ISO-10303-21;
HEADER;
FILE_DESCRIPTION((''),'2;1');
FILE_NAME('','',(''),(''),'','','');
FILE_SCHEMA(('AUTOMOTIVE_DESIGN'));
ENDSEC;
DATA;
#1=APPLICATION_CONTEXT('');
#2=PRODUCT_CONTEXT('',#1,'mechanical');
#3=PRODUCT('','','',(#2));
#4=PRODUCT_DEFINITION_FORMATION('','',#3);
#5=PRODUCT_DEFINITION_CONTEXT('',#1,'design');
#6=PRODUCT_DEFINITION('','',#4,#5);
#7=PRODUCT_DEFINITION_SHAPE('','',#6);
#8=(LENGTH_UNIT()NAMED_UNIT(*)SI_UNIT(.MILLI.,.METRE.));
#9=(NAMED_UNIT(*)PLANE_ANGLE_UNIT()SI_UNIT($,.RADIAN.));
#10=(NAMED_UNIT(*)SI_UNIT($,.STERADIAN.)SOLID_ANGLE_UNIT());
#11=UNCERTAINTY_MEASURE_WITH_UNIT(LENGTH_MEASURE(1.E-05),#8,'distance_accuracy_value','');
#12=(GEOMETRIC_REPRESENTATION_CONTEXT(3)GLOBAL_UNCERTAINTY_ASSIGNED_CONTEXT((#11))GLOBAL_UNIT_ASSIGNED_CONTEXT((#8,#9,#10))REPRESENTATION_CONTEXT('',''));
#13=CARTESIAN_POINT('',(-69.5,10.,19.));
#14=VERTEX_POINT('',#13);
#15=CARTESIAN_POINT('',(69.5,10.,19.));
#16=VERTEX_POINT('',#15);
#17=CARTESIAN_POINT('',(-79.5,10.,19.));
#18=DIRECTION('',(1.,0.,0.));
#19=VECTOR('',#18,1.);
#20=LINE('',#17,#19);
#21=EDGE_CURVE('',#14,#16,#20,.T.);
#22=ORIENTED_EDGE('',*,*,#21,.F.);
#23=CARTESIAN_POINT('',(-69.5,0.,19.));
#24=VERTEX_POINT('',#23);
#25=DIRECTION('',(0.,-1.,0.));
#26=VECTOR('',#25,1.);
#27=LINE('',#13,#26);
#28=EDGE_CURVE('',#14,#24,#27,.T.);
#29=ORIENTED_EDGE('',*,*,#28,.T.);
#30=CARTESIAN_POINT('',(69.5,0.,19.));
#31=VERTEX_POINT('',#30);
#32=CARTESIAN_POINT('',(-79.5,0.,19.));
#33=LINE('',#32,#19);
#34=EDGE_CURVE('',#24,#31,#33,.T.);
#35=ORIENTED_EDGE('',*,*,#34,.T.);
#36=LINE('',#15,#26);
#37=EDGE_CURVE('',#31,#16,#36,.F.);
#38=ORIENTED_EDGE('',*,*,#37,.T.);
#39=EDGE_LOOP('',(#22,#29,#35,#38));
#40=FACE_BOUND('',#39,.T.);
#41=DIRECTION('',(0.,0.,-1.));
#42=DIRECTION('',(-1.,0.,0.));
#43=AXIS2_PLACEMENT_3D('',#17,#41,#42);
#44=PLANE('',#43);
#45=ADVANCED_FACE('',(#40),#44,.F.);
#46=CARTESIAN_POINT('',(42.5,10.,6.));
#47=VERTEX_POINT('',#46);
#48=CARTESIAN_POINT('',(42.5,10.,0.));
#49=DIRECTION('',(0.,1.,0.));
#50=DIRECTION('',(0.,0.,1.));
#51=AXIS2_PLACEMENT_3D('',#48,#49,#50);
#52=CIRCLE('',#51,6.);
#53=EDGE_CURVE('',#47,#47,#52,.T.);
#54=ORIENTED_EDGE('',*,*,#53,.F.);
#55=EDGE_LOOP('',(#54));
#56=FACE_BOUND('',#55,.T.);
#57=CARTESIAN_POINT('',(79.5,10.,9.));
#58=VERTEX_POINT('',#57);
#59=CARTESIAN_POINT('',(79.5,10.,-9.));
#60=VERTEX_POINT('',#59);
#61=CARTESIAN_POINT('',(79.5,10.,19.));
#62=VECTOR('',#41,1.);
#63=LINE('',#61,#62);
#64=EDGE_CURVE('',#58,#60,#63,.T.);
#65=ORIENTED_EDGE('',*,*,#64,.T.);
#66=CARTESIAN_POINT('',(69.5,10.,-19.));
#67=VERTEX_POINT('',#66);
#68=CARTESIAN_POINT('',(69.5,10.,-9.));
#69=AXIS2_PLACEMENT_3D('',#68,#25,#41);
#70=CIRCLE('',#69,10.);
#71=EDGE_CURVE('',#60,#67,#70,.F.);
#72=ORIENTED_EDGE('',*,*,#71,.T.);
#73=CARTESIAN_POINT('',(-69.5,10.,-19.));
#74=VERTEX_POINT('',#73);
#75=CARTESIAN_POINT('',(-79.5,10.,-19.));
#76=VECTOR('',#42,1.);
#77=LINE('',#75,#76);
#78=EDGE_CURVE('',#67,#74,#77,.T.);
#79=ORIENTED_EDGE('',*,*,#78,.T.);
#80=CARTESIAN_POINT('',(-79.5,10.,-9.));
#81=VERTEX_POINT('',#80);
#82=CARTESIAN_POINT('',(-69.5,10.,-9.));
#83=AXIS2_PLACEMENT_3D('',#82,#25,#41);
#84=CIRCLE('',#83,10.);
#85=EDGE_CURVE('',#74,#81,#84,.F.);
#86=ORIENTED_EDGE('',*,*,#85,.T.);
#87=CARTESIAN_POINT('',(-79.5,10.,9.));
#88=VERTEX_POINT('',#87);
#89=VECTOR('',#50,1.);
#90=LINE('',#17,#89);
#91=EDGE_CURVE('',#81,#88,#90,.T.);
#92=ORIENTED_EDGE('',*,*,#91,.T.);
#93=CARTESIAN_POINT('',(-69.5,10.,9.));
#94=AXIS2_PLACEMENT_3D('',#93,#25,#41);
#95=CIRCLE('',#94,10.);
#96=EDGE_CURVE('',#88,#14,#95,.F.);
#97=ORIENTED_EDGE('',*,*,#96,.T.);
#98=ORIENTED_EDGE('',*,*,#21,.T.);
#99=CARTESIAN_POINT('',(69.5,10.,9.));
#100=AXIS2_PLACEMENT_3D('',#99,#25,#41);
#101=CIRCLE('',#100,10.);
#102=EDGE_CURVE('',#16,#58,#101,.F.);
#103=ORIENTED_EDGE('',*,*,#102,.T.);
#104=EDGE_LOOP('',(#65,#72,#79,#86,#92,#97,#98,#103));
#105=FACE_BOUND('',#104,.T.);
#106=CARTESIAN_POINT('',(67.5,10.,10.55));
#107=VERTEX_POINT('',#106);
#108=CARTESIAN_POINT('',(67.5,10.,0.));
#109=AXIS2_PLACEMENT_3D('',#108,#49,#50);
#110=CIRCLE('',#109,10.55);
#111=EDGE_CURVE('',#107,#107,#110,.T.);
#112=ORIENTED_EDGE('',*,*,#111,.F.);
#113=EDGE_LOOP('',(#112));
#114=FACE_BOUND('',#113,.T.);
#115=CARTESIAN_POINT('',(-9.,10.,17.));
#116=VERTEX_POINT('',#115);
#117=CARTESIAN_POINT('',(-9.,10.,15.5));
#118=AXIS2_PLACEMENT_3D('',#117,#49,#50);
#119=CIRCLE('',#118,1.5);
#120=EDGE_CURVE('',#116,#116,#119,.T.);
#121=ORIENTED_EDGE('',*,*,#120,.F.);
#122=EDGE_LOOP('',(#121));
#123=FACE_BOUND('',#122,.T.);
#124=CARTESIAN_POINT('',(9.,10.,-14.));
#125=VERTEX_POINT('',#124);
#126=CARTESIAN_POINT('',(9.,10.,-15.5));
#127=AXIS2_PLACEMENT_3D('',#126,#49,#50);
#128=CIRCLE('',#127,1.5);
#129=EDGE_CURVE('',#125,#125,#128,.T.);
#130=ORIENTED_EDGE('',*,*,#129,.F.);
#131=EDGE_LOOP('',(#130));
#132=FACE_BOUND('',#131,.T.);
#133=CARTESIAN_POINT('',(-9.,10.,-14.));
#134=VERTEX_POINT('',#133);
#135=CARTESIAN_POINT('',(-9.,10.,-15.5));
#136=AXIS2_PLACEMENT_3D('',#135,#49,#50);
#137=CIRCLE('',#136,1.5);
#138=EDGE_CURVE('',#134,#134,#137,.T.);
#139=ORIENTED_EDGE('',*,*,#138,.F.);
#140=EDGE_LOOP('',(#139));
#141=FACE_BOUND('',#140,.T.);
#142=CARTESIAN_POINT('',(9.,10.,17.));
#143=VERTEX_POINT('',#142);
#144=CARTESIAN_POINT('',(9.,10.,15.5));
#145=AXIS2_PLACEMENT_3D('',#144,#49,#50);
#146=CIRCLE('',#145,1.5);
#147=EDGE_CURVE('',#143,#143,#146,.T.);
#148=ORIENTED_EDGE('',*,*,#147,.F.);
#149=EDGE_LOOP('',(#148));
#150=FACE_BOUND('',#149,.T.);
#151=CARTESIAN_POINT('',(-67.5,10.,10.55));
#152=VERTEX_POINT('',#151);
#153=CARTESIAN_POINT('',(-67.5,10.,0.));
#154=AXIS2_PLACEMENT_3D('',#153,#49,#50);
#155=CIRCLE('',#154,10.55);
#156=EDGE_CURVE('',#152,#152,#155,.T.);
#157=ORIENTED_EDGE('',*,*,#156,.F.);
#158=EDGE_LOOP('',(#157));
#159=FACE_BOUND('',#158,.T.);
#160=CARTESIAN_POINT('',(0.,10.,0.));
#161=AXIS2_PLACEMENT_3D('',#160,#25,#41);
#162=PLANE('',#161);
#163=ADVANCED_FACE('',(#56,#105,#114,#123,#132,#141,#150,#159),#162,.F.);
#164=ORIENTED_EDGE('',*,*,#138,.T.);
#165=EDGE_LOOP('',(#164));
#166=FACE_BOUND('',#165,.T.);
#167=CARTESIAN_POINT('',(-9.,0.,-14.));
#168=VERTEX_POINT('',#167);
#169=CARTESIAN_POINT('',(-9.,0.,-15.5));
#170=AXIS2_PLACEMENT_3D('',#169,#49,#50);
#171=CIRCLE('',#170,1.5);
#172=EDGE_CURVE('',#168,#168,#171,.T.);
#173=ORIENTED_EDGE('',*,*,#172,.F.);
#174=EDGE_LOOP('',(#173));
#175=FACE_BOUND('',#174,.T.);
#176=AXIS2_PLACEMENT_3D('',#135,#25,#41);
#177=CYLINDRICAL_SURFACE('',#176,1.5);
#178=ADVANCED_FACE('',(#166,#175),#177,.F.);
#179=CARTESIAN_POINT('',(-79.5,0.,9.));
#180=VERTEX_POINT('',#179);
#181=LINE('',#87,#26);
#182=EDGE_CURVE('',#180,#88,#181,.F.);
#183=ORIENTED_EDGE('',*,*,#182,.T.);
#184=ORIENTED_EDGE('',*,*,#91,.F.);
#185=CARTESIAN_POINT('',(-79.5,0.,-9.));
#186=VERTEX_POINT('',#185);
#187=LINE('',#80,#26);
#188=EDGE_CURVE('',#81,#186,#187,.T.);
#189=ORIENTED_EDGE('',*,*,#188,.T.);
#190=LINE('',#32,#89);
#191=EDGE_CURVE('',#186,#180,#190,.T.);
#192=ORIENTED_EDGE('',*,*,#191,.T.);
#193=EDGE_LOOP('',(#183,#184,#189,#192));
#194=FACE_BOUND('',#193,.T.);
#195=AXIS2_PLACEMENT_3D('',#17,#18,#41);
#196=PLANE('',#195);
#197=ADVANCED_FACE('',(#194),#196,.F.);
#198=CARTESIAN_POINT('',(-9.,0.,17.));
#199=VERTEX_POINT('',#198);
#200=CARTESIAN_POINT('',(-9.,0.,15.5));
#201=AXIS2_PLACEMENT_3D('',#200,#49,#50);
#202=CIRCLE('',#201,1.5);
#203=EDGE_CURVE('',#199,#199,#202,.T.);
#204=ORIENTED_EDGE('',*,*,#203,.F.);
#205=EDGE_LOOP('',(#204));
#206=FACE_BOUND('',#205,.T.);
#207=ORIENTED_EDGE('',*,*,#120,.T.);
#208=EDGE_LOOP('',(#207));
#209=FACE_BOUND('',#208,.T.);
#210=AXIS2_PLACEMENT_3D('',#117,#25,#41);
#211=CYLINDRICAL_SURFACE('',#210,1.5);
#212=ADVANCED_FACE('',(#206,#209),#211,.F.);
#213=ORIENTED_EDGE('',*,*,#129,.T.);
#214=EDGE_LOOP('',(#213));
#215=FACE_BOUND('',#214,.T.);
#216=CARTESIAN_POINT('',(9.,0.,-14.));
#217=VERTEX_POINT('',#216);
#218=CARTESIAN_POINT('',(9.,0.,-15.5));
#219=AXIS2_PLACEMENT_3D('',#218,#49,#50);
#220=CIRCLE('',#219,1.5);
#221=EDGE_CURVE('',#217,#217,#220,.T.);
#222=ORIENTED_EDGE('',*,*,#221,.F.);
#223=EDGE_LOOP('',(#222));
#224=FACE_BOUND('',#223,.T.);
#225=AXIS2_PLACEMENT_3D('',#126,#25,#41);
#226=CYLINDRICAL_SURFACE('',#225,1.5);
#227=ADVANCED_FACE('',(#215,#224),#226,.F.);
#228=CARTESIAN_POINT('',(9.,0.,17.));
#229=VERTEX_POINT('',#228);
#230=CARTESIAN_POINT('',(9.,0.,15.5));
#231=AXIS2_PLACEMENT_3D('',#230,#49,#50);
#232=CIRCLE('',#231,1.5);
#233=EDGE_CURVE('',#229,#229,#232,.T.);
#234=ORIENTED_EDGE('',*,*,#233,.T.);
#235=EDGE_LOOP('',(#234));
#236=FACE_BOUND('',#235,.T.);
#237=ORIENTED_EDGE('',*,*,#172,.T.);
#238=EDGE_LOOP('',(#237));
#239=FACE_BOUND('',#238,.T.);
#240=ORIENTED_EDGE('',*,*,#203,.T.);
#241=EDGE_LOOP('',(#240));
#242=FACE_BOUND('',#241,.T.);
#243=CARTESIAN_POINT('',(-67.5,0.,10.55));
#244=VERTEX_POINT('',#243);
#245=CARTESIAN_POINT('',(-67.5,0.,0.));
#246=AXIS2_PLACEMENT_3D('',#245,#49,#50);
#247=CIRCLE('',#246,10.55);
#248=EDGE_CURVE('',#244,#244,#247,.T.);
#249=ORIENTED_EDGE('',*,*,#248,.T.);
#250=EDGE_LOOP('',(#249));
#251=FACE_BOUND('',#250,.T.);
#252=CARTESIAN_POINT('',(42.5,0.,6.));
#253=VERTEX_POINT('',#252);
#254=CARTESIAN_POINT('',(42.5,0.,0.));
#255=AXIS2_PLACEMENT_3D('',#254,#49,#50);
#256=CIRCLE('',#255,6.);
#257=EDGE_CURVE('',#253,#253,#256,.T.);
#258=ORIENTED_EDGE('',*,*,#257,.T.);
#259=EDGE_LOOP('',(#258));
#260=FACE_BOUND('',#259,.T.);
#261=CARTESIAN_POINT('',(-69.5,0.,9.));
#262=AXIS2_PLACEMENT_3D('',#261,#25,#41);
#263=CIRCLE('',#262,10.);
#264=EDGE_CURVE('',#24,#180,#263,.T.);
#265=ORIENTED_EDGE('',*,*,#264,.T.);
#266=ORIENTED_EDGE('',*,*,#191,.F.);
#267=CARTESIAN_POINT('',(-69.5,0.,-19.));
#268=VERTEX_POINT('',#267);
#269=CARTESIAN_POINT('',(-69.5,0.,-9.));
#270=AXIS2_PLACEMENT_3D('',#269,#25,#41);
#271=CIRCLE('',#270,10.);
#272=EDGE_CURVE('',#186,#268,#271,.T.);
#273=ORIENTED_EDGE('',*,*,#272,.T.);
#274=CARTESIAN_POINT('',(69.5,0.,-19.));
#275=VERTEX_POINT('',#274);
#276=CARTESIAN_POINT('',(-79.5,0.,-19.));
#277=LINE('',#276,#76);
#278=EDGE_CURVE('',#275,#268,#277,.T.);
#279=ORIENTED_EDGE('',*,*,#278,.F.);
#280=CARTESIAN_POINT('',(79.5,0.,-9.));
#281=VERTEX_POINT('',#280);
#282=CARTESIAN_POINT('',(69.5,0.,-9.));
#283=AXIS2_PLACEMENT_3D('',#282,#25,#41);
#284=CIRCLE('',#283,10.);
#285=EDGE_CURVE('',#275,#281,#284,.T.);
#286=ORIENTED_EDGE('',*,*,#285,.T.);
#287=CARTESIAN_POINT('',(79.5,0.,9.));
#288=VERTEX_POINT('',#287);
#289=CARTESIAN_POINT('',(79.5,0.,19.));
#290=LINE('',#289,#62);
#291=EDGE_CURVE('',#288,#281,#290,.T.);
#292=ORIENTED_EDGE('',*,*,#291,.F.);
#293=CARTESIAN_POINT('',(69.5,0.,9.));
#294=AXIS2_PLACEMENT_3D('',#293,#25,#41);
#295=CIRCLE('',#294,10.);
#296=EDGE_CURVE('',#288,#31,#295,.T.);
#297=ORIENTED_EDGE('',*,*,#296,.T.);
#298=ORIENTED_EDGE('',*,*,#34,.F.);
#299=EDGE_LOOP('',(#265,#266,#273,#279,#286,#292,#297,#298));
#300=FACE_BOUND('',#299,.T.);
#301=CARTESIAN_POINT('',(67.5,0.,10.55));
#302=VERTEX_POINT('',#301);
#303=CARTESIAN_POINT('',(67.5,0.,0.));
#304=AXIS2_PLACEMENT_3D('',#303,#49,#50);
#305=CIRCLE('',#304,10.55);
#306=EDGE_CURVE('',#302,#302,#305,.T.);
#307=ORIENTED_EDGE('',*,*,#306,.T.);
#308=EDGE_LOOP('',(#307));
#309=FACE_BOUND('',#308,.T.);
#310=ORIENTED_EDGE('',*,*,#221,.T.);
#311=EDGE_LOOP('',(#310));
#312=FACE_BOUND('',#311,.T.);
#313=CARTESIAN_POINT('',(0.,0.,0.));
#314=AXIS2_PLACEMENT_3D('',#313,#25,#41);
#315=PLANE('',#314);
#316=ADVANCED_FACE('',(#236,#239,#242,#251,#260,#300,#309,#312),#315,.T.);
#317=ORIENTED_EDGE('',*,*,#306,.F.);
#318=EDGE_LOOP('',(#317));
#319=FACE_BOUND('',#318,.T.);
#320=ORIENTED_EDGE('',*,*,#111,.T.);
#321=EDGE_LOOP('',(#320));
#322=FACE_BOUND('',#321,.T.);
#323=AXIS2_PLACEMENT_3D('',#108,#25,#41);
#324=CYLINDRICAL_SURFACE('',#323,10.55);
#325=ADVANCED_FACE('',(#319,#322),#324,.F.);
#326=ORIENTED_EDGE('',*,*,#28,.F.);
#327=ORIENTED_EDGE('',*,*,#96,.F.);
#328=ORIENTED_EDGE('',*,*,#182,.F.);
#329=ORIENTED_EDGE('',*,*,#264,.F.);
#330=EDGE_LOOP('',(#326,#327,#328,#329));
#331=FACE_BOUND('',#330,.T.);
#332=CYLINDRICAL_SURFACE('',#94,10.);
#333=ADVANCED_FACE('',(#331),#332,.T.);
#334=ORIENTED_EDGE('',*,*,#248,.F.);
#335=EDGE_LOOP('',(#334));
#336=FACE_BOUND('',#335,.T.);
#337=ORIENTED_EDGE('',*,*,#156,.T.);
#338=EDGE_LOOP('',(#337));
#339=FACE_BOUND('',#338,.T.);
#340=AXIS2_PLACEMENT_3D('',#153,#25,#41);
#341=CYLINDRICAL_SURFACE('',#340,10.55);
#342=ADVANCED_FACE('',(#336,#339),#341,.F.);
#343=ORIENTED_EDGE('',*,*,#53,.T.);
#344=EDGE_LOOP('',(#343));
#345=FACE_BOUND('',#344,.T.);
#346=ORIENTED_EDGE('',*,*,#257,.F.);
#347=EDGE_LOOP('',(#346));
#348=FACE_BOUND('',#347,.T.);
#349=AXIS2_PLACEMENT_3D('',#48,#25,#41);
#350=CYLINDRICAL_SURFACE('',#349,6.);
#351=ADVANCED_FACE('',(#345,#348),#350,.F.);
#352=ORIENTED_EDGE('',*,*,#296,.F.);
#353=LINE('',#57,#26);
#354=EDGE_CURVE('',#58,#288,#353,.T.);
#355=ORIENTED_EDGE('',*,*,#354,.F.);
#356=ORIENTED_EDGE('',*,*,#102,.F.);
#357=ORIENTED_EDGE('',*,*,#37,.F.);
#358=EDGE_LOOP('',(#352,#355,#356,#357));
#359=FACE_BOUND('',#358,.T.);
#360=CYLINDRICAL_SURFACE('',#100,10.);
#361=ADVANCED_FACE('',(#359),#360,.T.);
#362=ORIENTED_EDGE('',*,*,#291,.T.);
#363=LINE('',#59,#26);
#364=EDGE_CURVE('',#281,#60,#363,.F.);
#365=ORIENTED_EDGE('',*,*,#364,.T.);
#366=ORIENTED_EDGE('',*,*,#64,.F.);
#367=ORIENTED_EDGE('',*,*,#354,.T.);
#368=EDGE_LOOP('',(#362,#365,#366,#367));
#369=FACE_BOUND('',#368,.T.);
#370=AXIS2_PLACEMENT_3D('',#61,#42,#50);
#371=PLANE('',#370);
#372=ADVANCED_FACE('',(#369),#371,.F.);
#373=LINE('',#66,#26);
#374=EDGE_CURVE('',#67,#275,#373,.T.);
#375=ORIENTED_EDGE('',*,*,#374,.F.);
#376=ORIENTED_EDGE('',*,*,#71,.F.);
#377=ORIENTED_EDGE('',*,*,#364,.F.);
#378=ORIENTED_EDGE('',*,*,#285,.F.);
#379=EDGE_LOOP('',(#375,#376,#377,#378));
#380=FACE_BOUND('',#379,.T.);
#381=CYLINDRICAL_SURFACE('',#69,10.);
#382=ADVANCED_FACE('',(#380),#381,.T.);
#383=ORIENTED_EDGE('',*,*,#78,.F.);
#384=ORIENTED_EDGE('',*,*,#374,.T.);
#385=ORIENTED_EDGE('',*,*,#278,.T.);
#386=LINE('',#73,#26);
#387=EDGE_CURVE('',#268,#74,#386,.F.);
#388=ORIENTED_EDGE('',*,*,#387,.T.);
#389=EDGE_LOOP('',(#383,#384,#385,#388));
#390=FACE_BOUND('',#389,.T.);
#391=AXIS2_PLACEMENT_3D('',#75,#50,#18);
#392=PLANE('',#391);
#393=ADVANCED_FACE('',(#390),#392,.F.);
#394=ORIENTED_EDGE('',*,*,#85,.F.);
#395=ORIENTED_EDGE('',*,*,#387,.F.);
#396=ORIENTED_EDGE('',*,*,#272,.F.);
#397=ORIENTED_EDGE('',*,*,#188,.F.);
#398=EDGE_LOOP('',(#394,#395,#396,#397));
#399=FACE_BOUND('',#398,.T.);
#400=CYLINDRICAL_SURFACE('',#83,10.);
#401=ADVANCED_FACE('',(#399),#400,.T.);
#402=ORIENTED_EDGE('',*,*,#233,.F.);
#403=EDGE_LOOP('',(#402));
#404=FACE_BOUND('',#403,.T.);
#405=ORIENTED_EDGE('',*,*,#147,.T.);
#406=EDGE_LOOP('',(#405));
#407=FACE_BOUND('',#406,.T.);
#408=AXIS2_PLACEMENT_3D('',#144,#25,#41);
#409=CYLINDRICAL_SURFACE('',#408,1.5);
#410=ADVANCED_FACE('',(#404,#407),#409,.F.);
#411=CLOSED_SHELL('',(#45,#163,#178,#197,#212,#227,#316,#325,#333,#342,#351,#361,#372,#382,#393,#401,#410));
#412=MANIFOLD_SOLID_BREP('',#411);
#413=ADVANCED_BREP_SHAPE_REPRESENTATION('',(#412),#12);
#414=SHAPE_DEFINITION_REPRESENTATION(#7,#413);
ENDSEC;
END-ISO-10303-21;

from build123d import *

# Parameters (mm, degrees)
SKETCH1_W           = 159
SKETCH1_H           = 38
SKETCH1_R           = 1.5
SKETCH1_R_2         = 10.55
SKETCH1_R_3         = 6
BOSS_EXTRUDE1_DEPTH = 10
FILLET1_R           = 10


with BuildPart() as part:
    # Sketch1 → Boss-Extrude1 (new body)
    with BuildSketch(Plane(origin=(0, 0, 0), x_dir=(1, 0, 0), z_dir=(0, 1, 0))):
        Rectangle(SKETCH1_W, SKETCH1_H)
        with Locations((9, 15.5)):
            Circle(SKETCH1_R, mode=Mode.SUBTRACT)
        with Locations((-9, 15.5)):
            Circle(SKETCH1_R, mode=Mode.SUBTRACT)
        with Locations((-9, -15.5)):
            Circle(SKETCH1_R, mode=Mode.SUBTRACT)
        with Locations((9, -15.5)):
            Circle(SKETCH1_R, mode=Mode.SUBTRACT)
        with Locations((-67.5, 0)):
            Circle(SKETCH1_R_2, mode=Mode.SUBTRACT)
        with Locations((67.5, 0)):
            Circle(SKETCH1_R_2, mode=Mode.SUBTRACT)
        with Locations((42.5, 0)):
            Circle(SKETCH1_R_3, mode=Mode.SUBTRACT)
    extrude(amount=BOSS_EXTRUDE1_DEPTH)

    # Fillet1
    fillet1_edges = [part.edges().sort_by_distance(p)[0] for p in [
        (79.5, 5, 19),
        (-79.5, 5, 19),
        (-79.5, 5, -19),
        (79.5, 5, -19),
    ]]
    fillet(fillet1_edges, radius=FILLET1_R)


solid = part.part
